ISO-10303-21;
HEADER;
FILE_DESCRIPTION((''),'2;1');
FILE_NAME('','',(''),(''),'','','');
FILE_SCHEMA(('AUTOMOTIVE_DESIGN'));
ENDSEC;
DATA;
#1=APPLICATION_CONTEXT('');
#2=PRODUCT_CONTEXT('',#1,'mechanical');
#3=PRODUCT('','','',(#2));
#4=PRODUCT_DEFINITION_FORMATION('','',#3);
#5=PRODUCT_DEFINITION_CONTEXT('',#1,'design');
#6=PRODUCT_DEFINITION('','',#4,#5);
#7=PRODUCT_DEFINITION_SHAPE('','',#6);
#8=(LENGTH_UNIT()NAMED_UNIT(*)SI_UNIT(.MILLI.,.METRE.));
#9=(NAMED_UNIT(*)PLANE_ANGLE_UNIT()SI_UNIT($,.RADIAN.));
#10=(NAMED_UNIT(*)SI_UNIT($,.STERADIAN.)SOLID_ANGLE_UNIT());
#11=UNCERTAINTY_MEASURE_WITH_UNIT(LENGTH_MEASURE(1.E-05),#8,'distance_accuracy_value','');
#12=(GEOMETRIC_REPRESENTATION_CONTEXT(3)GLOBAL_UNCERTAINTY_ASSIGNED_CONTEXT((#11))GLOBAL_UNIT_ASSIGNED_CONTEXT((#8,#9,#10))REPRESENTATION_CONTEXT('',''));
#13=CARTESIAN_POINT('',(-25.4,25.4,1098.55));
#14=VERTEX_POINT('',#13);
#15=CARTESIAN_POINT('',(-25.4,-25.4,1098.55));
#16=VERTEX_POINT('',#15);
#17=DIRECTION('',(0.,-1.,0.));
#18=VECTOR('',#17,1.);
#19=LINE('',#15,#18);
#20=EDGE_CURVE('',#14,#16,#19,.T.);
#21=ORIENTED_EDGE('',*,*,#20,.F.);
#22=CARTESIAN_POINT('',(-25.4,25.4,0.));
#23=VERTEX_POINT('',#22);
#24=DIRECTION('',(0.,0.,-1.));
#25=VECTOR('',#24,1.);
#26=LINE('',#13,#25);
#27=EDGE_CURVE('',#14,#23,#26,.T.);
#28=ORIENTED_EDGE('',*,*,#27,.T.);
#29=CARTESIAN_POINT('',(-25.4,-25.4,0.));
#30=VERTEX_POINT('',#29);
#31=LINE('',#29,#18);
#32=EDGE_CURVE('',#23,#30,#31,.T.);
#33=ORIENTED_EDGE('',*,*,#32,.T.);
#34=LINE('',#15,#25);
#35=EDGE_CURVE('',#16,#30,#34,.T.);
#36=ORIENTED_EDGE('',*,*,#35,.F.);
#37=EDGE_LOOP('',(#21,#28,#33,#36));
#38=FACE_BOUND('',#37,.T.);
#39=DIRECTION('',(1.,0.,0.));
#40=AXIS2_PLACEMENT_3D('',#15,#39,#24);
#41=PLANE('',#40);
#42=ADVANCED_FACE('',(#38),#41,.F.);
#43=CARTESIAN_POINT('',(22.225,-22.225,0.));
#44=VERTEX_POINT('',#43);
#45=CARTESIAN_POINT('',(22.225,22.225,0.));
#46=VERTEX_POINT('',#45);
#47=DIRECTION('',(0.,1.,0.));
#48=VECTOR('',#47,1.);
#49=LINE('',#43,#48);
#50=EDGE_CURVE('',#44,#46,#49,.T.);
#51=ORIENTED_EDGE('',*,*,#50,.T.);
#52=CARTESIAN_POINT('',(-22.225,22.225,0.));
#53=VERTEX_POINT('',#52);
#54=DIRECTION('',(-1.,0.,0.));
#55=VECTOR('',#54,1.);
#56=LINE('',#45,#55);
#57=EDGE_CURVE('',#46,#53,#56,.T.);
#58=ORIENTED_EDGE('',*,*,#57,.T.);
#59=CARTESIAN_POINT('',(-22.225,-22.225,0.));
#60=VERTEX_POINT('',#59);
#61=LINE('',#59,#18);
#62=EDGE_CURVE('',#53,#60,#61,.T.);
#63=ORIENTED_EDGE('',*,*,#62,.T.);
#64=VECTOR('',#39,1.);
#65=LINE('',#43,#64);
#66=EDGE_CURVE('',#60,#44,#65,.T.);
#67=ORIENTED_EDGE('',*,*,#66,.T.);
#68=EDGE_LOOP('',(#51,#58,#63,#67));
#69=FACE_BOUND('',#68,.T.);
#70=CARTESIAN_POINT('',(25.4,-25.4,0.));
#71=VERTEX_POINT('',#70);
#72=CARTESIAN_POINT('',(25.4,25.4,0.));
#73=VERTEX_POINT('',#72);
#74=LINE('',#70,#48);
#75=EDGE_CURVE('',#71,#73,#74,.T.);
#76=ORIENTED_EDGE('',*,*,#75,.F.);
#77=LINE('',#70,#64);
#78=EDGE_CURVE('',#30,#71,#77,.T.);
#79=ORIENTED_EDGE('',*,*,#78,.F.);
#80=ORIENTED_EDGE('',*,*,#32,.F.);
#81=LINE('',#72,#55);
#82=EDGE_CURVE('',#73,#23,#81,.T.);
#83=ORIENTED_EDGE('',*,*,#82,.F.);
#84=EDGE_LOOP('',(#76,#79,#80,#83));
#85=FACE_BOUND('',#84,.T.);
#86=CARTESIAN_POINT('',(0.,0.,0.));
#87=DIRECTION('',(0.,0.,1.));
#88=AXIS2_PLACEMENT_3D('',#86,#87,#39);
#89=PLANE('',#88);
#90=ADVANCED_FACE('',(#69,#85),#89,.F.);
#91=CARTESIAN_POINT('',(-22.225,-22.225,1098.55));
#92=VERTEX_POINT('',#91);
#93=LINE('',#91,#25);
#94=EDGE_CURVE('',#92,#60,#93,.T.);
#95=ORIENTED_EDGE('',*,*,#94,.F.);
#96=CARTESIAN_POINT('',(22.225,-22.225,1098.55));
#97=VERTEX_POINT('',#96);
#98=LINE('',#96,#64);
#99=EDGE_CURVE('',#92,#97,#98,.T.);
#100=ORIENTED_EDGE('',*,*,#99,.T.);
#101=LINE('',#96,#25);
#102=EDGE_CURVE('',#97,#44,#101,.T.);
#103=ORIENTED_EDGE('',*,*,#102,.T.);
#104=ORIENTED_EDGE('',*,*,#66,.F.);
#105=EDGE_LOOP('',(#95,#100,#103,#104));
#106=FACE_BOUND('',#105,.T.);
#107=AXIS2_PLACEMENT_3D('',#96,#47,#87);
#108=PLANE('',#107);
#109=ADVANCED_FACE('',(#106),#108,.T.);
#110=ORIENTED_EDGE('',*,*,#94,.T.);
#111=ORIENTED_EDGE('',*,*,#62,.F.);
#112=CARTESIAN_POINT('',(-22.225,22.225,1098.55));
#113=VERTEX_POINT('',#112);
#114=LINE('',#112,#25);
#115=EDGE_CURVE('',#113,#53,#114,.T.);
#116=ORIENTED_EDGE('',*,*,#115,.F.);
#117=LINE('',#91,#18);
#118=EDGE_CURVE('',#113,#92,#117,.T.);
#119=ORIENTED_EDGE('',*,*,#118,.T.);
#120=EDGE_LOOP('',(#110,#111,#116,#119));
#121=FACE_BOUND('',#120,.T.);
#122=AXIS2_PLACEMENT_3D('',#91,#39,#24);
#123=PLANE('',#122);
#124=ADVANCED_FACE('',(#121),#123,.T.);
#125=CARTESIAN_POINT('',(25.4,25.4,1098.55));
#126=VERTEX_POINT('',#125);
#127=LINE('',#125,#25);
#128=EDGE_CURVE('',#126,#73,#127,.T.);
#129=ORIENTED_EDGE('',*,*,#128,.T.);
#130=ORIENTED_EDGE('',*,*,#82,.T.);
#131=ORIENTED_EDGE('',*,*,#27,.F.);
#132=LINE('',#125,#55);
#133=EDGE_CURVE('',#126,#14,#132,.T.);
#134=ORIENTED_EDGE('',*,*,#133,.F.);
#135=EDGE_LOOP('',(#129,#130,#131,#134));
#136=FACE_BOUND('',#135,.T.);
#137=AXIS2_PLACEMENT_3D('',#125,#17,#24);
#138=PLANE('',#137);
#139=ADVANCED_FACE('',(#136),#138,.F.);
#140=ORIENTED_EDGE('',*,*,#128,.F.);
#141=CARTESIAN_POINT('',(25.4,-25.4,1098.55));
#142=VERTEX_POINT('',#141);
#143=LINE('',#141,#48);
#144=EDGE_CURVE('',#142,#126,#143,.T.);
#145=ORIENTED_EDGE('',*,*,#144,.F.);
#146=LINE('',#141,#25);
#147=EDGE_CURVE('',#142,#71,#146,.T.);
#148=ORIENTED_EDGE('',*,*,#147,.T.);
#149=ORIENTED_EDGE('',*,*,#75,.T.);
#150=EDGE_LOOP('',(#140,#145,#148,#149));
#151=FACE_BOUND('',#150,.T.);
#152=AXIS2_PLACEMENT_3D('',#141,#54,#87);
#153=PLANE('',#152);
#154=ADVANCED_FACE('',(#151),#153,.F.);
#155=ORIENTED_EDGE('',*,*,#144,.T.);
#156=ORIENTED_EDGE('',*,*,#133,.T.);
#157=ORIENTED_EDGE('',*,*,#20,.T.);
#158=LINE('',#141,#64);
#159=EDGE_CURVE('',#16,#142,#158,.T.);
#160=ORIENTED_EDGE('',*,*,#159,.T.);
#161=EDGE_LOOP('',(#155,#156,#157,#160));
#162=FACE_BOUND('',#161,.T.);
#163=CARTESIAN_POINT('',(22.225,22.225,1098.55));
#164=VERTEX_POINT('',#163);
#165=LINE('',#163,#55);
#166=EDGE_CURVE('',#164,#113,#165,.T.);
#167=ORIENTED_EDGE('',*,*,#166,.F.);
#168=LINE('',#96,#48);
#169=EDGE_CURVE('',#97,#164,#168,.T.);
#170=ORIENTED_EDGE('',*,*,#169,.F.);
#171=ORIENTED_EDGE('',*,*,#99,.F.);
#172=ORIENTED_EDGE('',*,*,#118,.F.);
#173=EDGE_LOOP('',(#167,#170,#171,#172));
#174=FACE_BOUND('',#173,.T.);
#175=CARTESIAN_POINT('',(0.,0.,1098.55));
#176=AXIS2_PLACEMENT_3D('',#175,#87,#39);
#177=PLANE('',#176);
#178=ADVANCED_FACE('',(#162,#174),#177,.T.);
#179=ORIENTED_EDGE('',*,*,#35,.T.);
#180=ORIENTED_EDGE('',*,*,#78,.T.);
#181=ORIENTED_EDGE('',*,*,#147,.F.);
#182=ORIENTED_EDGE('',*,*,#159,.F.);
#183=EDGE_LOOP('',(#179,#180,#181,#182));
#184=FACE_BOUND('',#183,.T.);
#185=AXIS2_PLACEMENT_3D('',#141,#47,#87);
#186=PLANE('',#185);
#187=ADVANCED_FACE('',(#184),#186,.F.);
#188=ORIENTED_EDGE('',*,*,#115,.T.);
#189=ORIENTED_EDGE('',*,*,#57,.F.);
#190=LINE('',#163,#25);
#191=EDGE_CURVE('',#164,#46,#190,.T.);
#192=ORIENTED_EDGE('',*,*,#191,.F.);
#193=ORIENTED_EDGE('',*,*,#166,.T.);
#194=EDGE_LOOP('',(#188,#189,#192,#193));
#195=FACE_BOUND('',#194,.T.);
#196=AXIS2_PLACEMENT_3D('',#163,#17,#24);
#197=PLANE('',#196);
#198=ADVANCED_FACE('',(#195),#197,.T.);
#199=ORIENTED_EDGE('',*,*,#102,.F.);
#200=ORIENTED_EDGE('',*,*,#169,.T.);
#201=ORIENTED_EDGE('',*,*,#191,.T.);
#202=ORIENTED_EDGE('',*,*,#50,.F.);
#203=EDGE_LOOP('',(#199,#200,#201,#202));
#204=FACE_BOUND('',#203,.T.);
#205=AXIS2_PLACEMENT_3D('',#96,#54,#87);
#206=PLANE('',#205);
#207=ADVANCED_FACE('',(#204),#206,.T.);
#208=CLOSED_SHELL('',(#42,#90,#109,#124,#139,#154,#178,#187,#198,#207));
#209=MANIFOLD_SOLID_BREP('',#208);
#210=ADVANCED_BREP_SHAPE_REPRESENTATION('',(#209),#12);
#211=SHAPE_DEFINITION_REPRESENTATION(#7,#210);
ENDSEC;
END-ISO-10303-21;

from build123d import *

# Parameters (mm, degrees)
SKETCH1_W           = 50.8
SKETCH1_H           = 50.8
SKETCH1_W_2         = 44.45
SKETCH1_H_2         = 44.45
BOSS_EXTRUDE1_DEPTH = 1098.55


with BuildPart() as part:
    # Sketch1 → Boss-Extrude1 (new body)
    with BuildSketch(Plane.XY):
        Rectangle(SKETCH1_W, SKETCH1_H)
        Rectangle(SKETCH1_W_2, SKETCH1_H_2, mode=Mode.SUBTRACT)
    extrude(amount=BOSS_EXTRUDE1_DEPTH)


solid = part.part
